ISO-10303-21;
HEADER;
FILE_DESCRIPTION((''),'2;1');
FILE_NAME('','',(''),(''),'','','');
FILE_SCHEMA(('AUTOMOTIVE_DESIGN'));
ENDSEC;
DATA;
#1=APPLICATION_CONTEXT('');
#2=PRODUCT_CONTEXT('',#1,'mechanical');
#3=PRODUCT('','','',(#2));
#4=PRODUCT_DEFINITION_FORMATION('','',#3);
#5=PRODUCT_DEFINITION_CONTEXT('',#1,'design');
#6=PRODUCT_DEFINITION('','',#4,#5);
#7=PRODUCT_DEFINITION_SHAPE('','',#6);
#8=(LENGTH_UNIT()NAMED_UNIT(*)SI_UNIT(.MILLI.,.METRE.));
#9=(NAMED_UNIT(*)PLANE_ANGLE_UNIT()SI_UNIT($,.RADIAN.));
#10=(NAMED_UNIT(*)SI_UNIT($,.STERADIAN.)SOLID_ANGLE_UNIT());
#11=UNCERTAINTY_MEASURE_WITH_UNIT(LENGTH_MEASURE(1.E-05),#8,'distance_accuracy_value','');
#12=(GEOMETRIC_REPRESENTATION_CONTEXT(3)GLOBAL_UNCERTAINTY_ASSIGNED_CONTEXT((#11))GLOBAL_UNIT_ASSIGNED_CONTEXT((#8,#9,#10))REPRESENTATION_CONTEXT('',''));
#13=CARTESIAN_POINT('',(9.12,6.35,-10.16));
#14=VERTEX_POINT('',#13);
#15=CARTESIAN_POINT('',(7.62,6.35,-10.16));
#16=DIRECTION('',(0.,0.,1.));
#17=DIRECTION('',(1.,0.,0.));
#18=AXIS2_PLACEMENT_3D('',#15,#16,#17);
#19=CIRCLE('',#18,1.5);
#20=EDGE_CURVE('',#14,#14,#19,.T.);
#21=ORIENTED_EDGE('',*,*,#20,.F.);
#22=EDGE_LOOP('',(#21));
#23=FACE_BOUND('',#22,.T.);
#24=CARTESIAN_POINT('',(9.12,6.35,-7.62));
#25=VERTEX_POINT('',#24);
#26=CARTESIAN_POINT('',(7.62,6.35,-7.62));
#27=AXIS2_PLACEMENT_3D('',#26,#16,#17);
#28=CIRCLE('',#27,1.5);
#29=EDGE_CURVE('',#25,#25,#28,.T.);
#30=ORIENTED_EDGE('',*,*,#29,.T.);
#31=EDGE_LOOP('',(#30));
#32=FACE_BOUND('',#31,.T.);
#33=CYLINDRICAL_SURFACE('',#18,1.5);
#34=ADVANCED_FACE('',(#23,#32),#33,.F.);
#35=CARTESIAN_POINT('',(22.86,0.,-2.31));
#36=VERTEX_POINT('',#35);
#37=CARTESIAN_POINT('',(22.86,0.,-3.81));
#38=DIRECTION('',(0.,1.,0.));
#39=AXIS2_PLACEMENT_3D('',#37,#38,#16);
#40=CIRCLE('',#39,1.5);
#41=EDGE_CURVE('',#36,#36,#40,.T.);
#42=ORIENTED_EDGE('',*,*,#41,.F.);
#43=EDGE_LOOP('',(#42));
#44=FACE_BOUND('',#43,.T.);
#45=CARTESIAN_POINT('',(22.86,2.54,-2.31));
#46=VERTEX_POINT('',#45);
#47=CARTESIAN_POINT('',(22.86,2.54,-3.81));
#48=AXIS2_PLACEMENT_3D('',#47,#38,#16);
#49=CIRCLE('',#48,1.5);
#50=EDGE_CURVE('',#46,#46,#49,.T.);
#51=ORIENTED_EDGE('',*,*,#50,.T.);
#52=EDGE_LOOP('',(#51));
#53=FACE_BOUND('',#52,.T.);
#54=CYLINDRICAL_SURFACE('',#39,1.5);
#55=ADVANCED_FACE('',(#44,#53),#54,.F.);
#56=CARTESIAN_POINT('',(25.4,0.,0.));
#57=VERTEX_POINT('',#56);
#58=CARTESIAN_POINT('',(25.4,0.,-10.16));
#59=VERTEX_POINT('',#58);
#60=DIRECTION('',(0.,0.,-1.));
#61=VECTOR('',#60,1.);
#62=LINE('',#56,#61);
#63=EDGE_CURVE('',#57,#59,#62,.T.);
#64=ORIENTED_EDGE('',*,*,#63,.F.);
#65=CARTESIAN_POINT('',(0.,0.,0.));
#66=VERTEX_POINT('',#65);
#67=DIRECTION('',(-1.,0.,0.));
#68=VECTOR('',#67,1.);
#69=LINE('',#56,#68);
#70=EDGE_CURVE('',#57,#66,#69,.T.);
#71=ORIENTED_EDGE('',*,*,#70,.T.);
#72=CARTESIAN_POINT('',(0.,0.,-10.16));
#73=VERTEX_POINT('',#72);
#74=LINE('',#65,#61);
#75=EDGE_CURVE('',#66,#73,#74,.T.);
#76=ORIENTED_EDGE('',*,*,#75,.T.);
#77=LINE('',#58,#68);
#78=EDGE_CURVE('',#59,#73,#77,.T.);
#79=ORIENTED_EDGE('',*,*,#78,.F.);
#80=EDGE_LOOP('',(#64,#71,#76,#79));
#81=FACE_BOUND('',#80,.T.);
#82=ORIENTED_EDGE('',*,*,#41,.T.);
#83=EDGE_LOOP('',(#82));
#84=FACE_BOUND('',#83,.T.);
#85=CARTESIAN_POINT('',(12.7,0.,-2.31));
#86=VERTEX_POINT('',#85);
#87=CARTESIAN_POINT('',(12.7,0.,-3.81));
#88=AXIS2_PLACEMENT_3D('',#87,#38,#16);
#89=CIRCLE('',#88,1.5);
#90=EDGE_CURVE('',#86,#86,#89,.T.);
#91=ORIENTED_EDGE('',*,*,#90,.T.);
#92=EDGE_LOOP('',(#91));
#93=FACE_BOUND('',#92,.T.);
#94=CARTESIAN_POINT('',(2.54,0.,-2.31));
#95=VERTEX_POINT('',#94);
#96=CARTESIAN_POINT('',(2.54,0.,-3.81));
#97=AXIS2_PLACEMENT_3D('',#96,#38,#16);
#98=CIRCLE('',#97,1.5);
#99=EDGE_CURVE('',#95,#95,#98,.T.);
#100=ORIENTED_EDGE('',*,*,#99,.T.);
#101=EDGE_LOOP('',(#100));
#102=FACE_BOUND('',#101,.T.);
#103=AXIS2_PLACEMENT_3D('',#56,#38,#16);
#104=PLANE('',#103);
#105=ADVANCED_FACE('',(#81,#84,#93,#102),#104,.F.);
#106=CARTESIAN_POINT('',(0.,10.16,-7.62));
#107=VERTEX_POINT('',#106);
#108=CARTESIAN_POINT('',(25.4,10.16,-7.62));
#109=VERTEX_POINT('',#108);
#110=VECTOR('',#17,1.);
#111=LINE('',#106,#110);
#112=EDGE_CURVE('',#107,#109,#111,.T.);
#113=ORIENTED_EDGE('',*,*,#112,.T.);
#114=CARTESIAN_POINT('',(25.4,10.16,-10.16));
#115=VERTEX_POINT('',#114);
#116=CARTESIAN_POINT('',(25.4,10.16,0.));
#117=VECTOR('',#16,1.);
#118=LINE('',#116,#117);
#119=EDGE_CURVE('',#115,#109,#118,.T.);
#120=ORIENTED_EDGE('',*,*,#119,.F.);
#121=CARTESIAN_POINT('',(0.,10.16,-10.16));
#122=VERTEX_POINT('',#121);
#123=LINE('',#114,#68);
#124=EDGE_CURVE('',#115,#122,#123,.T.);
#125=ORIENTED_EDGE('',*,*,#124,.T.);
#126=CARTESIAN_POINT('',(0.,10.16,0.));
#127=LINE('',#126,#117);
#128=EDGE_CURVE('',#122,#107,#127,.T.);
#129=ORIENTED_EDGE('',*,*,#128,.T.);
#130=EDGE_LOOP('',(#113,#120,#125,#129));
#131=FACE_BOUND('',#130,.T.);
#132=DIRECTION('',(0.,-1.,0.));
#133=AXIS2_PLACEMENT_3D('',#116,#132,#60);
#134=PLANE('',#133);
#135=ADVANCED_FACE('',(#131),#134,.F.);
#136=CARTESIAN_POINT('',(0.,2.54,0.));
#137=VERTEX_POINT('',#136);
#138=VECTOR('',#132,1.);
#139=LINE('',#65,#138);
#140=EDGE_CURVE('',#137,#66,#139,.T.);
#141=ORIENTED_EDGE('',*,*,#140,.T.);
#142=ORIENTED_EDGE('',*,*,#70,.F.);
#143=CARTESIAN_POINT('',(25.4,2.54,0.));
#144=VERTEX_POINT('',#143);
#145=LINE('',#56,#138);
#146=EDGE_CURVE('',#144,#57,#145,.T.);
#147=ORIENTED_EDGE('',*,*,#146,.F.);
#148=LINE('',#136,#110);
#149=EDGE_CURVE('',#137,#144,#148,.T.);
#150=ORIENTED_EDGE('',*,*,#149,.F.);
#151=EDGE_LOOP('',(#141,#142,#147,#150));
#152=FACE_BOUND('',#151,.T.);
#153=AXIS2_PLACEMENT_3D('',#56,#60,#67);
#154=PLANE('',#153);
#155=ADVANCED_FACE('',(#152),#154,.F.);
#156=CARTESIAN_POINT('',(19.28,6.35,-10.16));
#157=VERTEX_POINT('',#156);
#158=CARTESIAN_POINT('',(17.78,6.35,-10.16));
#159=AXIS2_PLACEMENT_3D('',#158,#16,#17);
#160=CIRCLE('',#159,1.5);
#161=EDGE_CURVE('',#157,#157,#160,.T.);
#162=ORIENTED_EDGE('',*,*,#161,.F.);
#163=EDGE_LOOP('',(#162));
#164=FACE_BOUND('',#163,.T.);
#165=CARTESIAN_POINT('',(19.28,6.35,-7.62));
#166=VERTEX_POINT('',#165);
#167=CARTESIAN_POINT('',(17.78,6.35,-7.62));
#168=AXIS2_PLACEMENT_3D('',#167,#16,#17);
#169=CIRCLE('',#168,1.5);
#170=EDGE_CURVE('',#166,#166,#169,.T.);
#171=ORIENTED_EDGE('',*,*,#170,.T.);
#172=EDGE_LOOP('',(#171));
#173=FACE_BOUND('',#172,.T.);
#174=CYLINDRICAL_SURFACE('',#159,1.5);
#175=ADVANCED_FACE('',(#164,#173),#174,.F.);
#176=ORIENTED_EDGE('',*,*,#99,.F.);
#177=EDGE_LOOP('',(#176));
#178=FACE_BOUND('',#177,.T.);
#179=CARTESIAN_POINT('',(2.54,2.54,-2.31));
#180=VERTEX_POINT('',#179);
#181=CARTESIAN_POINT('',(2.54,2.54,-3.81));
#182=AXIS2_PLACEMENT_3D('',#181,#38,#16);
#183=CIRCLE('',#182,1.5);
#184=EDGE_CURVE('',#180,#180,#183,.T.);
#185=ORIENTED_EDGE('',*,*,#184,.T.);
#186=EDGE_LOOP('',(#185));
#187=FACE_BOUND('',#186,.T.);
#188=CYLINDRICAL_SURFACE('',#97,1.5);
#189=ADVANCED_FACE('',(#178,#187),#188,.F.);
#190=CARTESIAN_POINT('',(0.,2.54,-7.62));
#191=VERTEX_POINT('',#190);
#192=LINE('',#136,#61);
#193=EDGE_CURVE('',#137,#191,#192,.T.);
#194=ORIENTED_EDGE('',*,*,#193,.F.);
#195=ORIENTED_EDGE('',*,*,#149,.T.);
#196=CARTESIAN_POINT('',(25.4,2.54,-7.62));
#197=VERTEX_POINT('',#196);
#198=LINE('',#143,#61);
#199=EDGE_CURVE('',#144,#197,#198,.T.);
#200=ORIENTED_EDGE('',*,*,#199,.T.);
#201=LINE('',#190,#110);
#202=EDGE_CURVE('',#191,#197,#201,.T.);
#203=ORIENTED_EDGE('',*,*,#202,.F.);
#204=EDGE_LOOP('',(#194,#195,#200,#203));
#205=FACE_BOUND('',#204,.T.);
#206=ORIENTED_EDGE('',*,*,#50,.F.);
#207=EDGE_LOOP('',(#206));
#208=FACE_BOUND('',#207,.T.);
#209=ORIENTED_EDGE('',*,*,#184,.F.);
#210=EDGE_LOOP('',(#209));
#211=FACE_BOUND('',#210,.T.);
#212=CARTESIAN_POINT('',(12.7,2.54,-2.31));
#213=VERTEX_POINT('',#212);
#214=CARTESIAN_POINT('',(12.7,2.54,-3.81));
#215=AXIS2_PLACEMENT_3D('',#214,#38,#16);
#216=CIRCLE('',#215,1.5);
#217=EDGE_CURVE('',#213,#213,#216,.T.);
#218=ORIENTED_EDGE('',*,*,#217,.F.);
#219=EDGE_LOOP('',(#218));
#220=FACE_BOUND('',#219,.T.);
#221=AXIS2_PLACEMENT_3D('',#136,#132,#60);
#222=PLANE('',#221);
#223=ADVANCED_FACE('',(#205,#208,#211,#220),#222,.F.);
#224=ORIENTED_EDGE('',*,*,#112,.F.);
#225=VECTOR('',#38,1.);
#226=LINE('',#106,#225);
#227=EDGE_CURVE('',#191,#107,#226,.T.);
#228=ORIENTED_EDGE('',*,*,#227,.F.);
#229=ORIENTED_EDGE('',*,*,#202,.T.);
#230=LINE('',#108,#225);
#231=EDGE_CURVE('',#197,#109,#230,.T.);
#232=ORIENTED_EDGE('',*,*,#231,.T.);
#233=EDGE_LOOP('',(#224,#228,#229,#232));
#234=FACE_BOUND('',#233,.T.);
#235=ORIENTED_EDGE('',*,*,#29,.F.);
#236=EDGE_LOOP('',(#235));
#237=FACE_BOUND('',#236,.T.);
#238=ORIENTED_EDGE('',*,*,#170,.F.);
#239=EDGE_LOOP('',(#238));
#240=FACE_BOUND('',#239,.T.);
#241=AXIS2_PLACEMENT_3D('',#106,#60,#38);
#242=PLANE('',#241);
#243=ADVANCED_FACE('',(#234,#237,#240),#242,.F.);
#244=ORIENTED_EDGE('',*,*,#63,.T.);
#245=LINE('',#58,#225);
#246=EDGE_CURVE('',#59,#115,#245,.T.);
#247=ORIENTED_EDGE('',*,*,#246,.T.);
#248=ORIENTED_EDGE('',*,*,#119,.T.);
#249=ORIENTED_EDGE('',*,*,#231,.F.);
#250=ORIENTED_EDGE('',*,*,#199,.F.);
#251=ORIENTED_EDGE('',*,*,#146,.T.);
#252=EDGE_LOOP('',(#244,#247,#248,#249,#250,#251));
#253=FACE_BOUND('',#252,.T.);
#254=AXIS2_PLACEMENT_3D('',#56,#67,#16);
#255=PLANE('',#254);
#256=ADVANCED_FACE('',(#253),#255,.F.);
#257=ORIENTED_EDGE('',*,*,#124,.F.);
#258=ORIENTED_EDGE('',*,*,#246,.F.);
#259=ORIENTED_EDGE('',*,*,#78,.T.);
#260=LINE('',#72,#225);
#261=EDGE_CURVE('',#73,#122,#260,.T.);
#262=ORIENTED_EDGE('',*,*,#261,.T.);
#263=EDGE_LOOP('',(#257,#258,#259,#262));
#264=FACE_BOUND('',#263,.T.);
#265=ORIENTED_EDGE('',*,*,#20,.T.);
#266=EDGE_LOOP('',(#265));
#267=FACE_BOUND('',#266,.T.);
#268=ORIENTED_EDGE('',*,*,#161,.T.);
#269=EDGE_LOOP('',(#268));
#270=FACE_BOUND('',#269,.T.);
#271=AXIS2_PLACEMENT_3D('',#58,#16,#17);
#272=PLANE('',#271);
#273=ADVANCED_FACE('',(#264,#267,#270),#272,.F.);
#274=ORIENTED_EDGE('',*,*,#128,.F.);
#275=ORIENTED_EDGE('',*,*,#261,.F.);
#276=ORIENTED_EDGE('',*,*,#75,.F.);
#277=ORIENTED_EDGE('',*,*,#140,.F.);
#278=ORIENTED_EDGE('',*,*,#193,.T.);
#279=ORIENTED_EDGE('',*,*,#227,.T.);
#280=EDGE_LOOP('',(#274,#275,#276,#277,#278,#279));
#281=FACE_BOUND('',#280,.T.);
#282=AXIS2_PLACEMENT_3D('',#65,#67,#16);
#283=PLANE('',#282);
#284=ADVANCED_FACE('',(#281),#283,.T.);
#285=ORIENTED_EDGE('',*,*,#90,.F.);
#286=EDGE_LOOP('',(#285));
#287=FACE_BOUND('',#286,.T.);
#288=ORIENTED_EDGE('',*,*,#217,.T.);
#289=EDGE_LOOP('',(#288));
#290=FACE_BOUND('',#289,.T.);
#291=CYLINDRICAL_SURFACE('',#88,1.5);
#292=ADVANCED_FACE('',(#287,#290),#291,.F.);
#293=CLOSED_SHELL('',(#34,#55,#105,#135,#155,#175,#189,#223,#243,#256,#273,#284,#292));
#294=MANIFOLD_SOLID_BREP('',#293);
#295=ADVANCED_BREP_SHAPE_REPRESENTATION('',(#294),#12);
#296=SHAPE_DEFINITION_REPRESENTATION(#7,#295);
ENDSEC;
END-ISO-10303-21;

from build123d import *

# Parameters (mm, degrees)
SKETCH1_W           = 10.16
SKETCH1_H           = 10.16
BOSS_EXTRUDE1_DEPTH = 25.4
SKETCH2_W           = 7.62
SKETCH2_H           = 7.62
CUT_EXTRUDE1_DEPTH  = 26.4
SKETCH3_R           = 1.5
CUT_EXTRUDE2_DEPTH  = 3.54
SKETCH4_R           = 1.5
CUT_EXTRUDE3_DEPTH  = 3.54


with BuildPart() as part:
    # Sketch1 → Boss-Extrude1 (new body)
    with BuildSketch(Plane(origin=(0, 0, 0), x_dir=(0, 0, -1), z_dir=(1, 0, 0))):
        with Locations((5.08, 5.08)):
            Rectangle(SKETCH1_W, SKETCH1_H)
    extrude(amount=BOSS_EXTRUDE1_DEPTH)

    # Sketch2 → Cut-Extrude1 (cut, through all)
    with BuildSketch(Plane(origin=(25.4, 0, 0), x_dir=(0, 0, -1), z_dir=(1, 0, 0))):
        with Locations((3.81, 6.35)):
            Rectangle(SKETCH2_W, SKETCH2_H)
    extrude(amount=-CUT_EXTRUDE1_DEPTH, mode=Mode.SUBTRACT)

    # Sketch3 → Cut-Extrude2 (cut, through all)
    with BuildSketch(Plane.XY.offset(-7.62)):
        with Locations((7.62, 6.35)):
            Circle(SKETCH3_R)
        with Locations((17.78, 6.35)):
            Circle(SKETCH3_R)
    extrude(amount=-CUT_EXTRUDE2_DEPTH, mode=Mode.SUBTRACT)

    # Sketch4 → Cut-Extrude3 (cut, through all)
    with BuildSketch(Plane(origin=(0, 2.54, 0), x_dir=(1, 0, 0), z_dir=(0, 1, 0))):
        with Locations((2.54, 3.81)):
            Circle(SKETCH4_R)
        with Locations((22.86, 3.81)):
            Circle(SKETCH4_R)
        with Locations((12.7, 3.81)):
            Circle(SKETCH4_R)
    extrude(amount=-CUT_EXTRUDE3_DEPTH, mode=Mode.SUBTRACT)


solid = part.part
